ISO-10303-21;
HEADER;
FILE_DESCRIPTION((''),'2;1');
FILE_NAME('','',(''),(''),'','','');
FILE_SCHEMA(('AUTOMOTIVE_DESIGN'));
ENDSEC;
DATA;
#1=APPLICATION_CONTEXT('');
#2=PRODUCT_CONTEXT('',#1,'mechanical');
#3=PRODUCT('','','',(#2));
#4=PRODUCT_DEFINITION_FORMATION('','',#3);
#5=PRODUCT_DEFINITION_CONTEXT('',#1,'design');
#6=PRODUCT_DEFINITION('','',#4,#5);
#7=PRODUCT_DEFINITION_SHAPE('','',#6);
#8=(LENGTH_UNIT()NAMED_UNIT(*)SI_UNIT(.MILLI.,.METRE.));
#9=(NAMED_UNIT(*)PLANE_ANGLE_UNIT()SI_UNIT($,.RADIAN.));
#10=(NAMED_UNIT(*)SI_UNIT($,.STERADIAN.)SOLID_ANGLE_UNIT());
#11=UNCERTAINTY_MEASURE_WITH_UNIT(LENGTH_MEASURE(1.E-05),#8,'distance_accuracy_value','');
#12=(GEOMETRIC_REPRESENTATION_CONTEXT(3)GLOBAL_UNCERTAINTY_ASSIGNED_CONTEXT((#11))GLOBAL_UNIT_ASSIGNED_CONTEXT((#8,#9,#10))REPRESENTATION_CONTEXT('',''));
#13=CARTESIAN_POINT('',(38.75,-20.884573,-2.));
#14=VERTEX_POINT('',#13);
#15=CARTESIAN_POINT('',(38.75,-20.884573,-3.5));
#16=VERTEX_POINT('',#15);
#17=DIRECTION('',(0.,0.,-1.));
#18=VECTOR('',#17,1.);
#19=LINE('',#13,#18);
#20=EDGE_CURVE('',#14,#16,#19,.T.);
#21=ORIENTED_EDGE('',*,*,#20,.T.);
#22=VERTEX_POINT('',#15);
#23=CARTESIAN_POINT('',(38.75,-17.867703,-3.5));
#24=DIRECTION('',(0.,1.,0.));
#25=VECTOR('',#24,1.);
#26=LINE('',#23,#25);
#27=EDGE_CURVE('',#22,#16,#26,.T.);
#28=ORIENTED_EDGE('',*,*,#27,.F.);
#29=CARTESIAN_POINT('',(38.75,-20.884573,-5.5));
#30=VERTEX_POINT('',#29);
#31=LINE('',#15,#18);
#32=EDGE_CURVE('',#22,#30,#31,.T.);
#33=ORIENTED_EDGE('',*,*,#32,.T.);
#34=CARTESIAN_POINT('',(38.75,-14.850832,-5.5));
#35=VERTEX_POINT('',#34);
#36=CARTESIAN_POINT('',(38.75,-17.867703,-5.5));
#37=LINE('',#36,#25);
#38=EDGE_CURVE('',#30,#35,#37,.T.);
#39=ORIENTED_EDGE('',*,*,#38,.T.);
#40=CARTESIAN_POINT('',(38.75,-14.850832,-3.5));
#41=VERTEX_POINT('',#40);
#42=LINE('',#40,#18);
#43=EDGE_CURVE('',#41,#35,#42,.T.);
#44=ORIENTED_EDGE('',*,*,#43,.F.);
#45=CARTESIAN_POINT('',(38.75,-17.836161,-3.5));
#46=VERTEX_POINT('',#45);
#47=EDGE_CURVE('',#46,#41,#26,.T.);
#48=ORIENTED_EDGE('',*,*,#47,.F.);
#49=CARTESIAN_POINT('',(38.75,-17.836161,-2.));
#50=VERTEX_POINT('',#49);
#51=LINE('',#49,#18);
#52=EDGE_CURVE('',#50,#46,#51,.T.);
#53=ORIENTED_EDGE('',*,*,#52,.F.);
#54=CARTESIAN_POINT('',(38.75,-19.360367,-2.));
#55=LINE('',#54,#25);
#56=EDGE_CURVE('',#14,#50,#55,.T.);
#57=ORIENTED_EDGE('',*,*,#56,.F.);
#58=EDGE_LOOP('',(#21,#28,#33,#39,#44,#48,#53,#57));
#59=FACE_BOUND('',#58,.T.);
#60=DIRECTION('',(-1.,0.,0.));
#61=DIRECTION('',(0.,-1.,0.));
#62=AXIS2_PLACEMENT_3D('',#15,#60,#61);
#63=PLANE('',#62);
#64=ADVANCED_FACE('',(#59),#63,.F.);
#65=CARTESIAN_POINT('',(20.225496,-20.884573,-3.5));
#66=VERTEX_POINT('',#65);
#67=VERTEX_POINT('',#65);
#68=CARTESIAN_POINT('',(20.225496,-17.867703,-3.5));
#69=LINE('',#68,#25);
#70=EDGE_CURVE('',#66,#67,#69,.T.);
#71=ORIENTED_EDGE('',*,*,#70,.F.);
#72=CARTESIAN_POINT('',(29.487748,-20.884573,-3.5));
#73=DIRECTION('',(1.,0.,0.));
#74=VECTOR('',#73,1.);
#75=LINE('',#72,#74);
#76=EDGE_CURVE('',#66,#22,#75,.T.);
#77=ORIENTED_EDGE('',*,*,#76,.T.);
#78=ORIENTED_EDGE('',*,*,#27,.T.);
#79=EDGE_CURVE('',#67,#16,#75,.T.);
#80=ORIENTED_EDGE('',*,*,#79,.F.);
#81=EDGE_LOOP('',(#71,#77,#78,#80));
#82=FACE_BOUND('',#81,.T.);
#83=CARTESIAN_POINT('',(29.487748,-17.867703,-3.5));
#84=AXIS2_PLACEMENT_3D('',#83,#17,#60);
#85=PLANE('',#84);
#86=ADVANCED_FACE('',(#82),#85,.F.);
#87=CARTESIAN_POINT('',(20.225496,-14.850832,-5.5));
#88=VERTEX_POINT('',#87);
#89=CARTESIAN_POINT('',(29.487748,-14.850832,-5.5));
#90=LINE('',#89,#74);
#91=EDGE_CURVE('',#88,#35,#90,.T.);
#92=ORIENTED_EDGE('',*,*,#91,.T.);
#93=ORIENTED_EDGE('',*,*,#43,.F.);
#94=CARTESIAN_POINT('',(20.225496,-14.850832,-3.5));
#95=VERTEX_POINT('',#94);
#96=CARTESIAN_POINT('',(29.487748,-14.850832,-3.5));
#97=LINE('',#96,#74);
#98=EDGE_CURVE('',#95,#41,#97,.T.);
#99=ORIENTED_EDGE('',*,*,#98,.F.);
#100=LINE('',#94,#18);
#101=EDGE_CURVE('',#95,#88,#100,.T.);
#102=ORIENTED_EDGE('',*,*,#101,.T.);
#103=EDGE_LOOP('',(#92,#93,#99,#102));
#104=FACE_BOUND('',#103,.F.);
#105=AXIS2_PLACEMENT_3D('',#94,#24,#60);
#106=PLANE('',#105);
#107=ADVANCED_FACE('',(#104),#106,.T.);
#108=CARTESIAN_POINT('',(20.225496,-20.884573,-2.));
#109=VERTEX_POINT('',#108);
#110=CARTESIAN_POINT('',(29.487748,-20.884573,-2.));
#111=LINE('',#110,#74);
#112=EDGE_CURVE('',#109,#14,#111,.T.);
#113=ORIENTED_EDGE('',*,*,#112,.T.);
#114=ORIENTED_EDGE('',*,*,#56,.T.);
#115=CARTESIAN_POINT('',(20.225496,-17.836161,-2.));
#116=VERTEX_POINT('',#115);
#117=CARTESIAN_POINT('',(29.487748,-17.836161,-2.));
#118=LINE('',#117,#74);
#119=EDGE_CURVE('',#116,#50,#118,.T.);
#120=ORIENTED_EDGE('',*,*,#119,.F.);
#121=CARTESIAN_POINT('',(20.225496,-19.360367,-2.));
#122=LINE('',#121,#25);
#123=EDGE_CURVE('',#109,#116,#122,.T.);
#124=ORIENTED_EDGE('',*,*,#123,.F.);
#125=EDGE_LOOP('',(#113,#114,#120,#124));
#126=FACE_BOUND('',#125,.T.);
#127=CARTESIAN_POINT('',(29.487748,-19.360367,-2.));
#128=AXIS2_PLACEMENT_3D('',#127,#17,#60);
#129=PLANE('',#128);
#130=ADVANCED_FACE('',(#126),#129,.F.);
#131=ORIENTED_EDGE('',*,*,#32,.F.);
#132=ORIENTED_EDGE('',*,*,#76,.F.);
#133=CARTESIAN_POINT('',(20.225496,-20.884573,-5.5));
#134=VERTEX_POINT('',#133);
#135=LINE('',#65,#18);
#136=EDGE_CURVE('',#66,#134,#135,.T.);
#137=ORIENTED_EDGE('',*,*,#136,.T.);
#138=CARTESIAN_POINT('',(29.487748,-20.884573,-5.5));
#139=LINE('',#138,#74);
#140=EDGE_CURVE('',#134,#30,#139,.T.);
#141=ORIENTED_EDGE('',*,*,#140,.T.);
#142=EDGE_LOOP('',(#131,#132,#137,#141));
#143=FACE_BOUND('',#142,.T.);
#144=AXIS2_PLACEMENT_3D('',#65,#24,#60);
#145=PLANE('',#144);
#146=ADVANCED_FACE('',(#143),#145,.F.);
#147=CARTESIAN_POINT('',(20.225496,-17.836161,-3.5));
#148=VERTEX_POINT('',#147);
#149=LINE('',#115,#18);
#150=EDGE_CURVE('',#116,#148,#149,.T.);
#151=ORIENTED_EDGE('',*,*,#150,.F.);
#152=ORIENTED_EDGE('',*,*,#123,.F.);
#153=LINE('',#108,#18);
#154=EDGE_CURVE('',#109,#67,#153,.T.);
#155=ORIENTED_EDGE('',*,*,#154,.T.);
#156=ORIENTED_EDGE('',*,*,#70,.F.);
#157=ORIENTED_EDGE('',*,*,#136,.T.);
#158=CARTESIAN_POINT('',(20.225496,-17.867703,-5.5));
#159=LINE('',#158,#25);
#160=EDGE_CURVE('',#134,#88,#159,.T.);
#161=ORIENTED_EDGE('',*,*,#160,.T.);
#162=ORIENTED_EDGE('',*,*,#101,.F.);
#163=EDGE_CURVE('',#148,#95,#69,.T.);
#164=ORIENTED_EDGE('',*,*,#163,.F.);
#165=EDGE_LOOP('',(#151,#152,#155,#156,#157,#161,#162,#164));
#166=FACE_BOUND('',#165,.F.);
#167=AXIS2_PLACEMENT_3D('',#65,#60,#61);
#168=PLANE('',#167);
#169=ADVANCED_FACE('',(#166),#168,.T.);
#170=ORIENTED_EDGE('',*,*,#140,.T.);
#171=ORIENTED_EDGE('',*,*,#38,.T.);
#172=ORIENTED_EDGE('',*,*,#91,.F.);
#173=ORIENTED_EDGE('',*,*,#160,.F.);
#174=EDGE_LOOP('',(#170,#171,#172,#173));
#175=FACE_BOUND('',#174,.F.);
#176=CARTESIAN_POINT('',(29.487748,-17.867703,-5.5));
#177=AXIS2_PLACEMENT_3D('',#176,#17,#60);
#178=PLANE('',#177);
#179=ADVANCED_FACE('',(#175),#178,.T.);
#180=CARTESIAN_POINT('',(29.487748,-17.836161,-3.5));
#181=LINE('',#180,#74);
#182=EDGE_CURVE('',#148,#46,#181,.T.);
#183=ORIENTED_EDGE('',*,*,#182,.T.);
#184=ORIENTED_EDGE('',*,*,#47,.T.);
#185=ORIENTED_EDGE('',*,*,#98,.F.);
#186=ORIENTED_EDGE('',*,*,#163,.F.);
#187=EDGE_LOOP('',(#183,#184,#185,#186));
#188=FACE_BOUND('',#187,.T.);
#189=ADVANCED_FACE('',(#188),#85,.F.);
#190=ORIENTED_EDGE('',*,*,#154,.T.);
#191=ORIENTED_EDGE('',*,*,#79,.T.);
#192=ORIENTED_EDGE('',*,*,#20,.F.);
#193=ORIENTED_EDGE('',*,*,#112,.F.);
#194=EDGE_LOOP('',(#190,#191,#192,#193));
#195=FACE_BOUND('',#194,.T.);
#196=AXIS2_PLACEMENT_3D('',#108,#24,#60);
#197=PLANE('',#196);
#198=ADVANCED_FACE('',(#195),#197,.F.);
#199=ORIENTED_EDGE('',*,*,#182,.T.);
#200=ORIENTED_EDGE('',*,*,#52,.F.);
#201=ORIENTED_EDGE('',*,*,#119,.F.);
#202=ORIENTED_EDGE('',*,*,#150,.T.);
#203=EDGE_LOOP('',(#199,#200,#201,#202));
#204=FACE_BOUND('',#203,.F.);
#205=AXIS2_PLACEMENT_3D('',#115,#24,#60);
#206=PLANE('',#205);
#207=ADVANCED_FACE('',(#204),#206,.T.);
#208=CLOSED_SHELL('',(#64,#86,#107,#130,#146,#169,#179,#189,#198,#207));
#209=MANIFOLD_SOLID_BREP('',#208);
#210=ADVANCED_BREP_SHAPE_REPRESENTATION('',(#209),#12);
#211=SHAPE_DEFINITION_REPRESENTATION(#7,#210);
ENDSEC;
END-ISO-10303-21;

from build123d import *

# Parameters (mm, degrees)
SKETCH009_W  = 18.524504
SKETCH009_H  = 3.048411
PAD009_DEPTH = 1.5
SKETCH010_W  = 18.524504
SKETCH010_H  = 6.033741
PAD010_DEPTH = 2


with BuildPart() as body006:
    # Sketch009 (on ShapeBinder) → Pad009 (new body)
    with BuildSketch(Plane(origin=(0, 0, -2), x_dir=(1, 0, 0), z_dir=(0, 0, -1))):
        with Locations((29.487748, -19.360367)):
            Rectangle(SKETCH009_W, SKETCH009_H)
    extrude(amount=PAD009_DEPTH)

    # Sketch010 (on Face6 of Pad009) → Pad010 (join)
    with BuildSketch(Plane(origin=(0, 0, -3.5), x_dir=(1, 0, 0), z_dir=(0, 0, -1))):
        with Locations((29.487748, -17.867703)):
            Rectangle(SKETCH010_W, SKETCH010_H)
    extrude(amount=PAD010_DEPTH)


with BuildPart() as griffes:
    # Part__Mirroring: instance of Body006
    add(body006.part.mirror(Plane(origin=(0, 0, 0), x_dir=(1, 0, 0), z_dir=(0, 1, 0))))


solid = griffes.part
